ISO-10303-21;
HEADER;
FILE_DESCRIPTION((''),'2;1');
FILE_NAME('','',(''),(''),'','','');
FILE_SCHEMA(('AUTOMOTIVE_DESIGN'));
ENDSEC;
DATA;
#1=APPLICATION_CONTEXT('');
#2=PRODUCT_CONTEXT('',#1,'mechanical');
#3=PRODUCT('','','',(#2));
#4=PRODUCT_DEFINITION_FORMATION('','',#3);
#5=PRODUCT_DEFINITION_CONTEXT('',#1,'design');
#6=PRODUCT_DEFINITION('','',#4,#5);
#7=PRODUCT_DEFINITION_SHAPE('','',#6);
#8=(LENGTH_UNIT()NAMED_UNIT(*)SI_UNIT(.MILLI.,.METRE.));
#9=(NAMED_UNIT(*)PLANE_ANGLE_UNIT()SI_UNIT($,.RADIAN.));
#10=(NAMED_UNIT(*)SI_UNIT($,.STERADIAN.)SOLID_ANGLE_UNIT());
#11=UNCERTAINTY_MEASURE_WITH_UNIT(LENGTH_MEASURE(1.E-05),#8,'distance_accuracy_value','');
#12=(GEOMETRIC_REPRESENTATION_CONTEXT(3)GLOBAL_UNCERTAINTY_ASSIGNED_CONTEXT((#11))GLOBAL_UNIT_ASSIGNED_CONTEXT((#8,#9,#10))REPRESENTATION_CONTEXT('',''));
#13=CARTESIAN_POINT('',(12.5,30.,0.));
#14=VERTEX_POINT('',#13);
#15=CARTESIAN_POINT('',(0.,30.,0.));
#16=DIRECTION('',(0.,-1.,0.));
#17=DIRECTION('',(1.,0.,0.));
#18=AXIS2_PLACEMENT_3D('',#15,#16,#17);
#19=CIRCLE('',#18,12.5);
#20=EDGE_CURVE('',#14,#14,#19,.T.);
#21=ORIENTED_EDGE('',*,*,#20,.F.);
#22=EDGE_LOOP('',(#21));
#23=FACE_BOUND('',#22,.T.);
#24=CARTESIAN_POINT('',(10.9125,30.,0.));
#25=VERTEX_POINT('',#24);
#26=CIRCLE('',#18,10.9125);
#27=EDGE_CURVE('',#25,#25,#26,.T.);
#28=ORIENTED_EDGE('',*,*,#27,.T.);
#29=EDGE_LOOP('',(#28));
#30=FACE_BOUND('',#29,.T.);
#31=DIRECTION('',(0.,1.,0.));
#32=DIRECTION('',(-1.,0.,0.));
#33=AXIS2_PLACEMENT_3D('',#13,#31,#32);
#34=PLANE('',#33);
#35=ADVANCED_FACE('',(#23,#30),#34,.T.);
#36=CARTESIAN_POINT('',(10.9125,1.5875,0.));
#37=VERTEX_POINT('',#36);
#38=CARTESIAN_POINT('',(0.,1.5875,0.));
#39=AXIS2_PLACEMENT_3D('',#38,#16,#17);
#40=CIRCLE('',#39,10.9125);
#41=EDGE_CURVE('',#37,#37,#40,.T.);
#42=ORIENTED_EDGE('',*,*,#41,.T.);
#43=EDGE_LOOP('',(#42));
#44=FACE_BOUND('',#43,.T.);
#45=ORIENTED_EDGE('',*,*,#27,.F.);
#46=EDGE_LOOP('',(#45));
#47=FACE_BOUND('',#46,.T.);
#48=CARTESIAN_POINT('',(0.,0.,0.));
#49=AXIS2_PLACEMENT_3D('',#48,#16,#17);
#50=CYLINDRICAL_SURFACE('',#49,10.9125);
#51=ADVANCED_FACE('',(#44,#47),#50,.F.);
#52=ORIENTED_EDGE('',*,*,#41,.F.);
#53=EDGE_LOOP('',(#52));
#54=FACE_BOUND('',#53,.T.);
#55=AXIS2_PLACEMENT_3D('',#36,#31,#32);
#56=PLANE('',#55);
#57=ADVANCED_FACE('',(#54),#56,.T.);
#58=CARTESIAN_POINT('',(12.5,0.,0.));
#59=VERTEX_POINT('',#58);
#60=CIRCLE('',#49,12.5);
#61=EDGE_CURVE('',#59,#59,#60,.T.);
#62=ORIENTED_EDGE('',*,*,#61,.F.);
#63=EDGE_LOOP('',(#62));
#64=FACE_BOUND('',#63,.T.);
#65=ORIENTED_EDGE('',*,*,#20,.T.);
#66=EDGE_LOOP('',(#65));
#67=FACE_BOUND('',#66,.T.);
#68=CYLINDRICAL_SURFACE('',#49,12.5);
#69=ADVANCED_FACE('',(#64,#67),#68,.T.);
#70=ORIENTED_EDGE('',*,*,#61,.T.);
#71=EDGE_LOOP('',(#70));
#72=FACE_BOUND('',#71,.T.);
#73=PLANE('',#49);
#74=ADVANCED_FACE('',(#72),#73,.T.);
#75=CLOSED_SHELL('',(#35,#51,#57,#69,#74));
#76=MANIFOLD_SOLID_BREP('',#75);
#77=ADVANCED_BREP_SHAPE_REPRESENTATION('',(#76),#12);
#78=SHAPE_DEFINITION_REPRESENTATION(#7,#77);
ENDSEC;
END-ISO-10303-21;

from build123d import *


with BuildPart() as part:
    # Sketch2 → Revolve1 (revolve)
    with BuildSketch(Plane.XY):
        Polygon((12.5, 30), (10.9125, 30), (10.9125, 1.5875), (0, 1.5875), (0, 0), (12.5, 0), align=None)
    revolve(axis=Axis((0, 0, 0), (0, 1, 0)))


solid = part.part
